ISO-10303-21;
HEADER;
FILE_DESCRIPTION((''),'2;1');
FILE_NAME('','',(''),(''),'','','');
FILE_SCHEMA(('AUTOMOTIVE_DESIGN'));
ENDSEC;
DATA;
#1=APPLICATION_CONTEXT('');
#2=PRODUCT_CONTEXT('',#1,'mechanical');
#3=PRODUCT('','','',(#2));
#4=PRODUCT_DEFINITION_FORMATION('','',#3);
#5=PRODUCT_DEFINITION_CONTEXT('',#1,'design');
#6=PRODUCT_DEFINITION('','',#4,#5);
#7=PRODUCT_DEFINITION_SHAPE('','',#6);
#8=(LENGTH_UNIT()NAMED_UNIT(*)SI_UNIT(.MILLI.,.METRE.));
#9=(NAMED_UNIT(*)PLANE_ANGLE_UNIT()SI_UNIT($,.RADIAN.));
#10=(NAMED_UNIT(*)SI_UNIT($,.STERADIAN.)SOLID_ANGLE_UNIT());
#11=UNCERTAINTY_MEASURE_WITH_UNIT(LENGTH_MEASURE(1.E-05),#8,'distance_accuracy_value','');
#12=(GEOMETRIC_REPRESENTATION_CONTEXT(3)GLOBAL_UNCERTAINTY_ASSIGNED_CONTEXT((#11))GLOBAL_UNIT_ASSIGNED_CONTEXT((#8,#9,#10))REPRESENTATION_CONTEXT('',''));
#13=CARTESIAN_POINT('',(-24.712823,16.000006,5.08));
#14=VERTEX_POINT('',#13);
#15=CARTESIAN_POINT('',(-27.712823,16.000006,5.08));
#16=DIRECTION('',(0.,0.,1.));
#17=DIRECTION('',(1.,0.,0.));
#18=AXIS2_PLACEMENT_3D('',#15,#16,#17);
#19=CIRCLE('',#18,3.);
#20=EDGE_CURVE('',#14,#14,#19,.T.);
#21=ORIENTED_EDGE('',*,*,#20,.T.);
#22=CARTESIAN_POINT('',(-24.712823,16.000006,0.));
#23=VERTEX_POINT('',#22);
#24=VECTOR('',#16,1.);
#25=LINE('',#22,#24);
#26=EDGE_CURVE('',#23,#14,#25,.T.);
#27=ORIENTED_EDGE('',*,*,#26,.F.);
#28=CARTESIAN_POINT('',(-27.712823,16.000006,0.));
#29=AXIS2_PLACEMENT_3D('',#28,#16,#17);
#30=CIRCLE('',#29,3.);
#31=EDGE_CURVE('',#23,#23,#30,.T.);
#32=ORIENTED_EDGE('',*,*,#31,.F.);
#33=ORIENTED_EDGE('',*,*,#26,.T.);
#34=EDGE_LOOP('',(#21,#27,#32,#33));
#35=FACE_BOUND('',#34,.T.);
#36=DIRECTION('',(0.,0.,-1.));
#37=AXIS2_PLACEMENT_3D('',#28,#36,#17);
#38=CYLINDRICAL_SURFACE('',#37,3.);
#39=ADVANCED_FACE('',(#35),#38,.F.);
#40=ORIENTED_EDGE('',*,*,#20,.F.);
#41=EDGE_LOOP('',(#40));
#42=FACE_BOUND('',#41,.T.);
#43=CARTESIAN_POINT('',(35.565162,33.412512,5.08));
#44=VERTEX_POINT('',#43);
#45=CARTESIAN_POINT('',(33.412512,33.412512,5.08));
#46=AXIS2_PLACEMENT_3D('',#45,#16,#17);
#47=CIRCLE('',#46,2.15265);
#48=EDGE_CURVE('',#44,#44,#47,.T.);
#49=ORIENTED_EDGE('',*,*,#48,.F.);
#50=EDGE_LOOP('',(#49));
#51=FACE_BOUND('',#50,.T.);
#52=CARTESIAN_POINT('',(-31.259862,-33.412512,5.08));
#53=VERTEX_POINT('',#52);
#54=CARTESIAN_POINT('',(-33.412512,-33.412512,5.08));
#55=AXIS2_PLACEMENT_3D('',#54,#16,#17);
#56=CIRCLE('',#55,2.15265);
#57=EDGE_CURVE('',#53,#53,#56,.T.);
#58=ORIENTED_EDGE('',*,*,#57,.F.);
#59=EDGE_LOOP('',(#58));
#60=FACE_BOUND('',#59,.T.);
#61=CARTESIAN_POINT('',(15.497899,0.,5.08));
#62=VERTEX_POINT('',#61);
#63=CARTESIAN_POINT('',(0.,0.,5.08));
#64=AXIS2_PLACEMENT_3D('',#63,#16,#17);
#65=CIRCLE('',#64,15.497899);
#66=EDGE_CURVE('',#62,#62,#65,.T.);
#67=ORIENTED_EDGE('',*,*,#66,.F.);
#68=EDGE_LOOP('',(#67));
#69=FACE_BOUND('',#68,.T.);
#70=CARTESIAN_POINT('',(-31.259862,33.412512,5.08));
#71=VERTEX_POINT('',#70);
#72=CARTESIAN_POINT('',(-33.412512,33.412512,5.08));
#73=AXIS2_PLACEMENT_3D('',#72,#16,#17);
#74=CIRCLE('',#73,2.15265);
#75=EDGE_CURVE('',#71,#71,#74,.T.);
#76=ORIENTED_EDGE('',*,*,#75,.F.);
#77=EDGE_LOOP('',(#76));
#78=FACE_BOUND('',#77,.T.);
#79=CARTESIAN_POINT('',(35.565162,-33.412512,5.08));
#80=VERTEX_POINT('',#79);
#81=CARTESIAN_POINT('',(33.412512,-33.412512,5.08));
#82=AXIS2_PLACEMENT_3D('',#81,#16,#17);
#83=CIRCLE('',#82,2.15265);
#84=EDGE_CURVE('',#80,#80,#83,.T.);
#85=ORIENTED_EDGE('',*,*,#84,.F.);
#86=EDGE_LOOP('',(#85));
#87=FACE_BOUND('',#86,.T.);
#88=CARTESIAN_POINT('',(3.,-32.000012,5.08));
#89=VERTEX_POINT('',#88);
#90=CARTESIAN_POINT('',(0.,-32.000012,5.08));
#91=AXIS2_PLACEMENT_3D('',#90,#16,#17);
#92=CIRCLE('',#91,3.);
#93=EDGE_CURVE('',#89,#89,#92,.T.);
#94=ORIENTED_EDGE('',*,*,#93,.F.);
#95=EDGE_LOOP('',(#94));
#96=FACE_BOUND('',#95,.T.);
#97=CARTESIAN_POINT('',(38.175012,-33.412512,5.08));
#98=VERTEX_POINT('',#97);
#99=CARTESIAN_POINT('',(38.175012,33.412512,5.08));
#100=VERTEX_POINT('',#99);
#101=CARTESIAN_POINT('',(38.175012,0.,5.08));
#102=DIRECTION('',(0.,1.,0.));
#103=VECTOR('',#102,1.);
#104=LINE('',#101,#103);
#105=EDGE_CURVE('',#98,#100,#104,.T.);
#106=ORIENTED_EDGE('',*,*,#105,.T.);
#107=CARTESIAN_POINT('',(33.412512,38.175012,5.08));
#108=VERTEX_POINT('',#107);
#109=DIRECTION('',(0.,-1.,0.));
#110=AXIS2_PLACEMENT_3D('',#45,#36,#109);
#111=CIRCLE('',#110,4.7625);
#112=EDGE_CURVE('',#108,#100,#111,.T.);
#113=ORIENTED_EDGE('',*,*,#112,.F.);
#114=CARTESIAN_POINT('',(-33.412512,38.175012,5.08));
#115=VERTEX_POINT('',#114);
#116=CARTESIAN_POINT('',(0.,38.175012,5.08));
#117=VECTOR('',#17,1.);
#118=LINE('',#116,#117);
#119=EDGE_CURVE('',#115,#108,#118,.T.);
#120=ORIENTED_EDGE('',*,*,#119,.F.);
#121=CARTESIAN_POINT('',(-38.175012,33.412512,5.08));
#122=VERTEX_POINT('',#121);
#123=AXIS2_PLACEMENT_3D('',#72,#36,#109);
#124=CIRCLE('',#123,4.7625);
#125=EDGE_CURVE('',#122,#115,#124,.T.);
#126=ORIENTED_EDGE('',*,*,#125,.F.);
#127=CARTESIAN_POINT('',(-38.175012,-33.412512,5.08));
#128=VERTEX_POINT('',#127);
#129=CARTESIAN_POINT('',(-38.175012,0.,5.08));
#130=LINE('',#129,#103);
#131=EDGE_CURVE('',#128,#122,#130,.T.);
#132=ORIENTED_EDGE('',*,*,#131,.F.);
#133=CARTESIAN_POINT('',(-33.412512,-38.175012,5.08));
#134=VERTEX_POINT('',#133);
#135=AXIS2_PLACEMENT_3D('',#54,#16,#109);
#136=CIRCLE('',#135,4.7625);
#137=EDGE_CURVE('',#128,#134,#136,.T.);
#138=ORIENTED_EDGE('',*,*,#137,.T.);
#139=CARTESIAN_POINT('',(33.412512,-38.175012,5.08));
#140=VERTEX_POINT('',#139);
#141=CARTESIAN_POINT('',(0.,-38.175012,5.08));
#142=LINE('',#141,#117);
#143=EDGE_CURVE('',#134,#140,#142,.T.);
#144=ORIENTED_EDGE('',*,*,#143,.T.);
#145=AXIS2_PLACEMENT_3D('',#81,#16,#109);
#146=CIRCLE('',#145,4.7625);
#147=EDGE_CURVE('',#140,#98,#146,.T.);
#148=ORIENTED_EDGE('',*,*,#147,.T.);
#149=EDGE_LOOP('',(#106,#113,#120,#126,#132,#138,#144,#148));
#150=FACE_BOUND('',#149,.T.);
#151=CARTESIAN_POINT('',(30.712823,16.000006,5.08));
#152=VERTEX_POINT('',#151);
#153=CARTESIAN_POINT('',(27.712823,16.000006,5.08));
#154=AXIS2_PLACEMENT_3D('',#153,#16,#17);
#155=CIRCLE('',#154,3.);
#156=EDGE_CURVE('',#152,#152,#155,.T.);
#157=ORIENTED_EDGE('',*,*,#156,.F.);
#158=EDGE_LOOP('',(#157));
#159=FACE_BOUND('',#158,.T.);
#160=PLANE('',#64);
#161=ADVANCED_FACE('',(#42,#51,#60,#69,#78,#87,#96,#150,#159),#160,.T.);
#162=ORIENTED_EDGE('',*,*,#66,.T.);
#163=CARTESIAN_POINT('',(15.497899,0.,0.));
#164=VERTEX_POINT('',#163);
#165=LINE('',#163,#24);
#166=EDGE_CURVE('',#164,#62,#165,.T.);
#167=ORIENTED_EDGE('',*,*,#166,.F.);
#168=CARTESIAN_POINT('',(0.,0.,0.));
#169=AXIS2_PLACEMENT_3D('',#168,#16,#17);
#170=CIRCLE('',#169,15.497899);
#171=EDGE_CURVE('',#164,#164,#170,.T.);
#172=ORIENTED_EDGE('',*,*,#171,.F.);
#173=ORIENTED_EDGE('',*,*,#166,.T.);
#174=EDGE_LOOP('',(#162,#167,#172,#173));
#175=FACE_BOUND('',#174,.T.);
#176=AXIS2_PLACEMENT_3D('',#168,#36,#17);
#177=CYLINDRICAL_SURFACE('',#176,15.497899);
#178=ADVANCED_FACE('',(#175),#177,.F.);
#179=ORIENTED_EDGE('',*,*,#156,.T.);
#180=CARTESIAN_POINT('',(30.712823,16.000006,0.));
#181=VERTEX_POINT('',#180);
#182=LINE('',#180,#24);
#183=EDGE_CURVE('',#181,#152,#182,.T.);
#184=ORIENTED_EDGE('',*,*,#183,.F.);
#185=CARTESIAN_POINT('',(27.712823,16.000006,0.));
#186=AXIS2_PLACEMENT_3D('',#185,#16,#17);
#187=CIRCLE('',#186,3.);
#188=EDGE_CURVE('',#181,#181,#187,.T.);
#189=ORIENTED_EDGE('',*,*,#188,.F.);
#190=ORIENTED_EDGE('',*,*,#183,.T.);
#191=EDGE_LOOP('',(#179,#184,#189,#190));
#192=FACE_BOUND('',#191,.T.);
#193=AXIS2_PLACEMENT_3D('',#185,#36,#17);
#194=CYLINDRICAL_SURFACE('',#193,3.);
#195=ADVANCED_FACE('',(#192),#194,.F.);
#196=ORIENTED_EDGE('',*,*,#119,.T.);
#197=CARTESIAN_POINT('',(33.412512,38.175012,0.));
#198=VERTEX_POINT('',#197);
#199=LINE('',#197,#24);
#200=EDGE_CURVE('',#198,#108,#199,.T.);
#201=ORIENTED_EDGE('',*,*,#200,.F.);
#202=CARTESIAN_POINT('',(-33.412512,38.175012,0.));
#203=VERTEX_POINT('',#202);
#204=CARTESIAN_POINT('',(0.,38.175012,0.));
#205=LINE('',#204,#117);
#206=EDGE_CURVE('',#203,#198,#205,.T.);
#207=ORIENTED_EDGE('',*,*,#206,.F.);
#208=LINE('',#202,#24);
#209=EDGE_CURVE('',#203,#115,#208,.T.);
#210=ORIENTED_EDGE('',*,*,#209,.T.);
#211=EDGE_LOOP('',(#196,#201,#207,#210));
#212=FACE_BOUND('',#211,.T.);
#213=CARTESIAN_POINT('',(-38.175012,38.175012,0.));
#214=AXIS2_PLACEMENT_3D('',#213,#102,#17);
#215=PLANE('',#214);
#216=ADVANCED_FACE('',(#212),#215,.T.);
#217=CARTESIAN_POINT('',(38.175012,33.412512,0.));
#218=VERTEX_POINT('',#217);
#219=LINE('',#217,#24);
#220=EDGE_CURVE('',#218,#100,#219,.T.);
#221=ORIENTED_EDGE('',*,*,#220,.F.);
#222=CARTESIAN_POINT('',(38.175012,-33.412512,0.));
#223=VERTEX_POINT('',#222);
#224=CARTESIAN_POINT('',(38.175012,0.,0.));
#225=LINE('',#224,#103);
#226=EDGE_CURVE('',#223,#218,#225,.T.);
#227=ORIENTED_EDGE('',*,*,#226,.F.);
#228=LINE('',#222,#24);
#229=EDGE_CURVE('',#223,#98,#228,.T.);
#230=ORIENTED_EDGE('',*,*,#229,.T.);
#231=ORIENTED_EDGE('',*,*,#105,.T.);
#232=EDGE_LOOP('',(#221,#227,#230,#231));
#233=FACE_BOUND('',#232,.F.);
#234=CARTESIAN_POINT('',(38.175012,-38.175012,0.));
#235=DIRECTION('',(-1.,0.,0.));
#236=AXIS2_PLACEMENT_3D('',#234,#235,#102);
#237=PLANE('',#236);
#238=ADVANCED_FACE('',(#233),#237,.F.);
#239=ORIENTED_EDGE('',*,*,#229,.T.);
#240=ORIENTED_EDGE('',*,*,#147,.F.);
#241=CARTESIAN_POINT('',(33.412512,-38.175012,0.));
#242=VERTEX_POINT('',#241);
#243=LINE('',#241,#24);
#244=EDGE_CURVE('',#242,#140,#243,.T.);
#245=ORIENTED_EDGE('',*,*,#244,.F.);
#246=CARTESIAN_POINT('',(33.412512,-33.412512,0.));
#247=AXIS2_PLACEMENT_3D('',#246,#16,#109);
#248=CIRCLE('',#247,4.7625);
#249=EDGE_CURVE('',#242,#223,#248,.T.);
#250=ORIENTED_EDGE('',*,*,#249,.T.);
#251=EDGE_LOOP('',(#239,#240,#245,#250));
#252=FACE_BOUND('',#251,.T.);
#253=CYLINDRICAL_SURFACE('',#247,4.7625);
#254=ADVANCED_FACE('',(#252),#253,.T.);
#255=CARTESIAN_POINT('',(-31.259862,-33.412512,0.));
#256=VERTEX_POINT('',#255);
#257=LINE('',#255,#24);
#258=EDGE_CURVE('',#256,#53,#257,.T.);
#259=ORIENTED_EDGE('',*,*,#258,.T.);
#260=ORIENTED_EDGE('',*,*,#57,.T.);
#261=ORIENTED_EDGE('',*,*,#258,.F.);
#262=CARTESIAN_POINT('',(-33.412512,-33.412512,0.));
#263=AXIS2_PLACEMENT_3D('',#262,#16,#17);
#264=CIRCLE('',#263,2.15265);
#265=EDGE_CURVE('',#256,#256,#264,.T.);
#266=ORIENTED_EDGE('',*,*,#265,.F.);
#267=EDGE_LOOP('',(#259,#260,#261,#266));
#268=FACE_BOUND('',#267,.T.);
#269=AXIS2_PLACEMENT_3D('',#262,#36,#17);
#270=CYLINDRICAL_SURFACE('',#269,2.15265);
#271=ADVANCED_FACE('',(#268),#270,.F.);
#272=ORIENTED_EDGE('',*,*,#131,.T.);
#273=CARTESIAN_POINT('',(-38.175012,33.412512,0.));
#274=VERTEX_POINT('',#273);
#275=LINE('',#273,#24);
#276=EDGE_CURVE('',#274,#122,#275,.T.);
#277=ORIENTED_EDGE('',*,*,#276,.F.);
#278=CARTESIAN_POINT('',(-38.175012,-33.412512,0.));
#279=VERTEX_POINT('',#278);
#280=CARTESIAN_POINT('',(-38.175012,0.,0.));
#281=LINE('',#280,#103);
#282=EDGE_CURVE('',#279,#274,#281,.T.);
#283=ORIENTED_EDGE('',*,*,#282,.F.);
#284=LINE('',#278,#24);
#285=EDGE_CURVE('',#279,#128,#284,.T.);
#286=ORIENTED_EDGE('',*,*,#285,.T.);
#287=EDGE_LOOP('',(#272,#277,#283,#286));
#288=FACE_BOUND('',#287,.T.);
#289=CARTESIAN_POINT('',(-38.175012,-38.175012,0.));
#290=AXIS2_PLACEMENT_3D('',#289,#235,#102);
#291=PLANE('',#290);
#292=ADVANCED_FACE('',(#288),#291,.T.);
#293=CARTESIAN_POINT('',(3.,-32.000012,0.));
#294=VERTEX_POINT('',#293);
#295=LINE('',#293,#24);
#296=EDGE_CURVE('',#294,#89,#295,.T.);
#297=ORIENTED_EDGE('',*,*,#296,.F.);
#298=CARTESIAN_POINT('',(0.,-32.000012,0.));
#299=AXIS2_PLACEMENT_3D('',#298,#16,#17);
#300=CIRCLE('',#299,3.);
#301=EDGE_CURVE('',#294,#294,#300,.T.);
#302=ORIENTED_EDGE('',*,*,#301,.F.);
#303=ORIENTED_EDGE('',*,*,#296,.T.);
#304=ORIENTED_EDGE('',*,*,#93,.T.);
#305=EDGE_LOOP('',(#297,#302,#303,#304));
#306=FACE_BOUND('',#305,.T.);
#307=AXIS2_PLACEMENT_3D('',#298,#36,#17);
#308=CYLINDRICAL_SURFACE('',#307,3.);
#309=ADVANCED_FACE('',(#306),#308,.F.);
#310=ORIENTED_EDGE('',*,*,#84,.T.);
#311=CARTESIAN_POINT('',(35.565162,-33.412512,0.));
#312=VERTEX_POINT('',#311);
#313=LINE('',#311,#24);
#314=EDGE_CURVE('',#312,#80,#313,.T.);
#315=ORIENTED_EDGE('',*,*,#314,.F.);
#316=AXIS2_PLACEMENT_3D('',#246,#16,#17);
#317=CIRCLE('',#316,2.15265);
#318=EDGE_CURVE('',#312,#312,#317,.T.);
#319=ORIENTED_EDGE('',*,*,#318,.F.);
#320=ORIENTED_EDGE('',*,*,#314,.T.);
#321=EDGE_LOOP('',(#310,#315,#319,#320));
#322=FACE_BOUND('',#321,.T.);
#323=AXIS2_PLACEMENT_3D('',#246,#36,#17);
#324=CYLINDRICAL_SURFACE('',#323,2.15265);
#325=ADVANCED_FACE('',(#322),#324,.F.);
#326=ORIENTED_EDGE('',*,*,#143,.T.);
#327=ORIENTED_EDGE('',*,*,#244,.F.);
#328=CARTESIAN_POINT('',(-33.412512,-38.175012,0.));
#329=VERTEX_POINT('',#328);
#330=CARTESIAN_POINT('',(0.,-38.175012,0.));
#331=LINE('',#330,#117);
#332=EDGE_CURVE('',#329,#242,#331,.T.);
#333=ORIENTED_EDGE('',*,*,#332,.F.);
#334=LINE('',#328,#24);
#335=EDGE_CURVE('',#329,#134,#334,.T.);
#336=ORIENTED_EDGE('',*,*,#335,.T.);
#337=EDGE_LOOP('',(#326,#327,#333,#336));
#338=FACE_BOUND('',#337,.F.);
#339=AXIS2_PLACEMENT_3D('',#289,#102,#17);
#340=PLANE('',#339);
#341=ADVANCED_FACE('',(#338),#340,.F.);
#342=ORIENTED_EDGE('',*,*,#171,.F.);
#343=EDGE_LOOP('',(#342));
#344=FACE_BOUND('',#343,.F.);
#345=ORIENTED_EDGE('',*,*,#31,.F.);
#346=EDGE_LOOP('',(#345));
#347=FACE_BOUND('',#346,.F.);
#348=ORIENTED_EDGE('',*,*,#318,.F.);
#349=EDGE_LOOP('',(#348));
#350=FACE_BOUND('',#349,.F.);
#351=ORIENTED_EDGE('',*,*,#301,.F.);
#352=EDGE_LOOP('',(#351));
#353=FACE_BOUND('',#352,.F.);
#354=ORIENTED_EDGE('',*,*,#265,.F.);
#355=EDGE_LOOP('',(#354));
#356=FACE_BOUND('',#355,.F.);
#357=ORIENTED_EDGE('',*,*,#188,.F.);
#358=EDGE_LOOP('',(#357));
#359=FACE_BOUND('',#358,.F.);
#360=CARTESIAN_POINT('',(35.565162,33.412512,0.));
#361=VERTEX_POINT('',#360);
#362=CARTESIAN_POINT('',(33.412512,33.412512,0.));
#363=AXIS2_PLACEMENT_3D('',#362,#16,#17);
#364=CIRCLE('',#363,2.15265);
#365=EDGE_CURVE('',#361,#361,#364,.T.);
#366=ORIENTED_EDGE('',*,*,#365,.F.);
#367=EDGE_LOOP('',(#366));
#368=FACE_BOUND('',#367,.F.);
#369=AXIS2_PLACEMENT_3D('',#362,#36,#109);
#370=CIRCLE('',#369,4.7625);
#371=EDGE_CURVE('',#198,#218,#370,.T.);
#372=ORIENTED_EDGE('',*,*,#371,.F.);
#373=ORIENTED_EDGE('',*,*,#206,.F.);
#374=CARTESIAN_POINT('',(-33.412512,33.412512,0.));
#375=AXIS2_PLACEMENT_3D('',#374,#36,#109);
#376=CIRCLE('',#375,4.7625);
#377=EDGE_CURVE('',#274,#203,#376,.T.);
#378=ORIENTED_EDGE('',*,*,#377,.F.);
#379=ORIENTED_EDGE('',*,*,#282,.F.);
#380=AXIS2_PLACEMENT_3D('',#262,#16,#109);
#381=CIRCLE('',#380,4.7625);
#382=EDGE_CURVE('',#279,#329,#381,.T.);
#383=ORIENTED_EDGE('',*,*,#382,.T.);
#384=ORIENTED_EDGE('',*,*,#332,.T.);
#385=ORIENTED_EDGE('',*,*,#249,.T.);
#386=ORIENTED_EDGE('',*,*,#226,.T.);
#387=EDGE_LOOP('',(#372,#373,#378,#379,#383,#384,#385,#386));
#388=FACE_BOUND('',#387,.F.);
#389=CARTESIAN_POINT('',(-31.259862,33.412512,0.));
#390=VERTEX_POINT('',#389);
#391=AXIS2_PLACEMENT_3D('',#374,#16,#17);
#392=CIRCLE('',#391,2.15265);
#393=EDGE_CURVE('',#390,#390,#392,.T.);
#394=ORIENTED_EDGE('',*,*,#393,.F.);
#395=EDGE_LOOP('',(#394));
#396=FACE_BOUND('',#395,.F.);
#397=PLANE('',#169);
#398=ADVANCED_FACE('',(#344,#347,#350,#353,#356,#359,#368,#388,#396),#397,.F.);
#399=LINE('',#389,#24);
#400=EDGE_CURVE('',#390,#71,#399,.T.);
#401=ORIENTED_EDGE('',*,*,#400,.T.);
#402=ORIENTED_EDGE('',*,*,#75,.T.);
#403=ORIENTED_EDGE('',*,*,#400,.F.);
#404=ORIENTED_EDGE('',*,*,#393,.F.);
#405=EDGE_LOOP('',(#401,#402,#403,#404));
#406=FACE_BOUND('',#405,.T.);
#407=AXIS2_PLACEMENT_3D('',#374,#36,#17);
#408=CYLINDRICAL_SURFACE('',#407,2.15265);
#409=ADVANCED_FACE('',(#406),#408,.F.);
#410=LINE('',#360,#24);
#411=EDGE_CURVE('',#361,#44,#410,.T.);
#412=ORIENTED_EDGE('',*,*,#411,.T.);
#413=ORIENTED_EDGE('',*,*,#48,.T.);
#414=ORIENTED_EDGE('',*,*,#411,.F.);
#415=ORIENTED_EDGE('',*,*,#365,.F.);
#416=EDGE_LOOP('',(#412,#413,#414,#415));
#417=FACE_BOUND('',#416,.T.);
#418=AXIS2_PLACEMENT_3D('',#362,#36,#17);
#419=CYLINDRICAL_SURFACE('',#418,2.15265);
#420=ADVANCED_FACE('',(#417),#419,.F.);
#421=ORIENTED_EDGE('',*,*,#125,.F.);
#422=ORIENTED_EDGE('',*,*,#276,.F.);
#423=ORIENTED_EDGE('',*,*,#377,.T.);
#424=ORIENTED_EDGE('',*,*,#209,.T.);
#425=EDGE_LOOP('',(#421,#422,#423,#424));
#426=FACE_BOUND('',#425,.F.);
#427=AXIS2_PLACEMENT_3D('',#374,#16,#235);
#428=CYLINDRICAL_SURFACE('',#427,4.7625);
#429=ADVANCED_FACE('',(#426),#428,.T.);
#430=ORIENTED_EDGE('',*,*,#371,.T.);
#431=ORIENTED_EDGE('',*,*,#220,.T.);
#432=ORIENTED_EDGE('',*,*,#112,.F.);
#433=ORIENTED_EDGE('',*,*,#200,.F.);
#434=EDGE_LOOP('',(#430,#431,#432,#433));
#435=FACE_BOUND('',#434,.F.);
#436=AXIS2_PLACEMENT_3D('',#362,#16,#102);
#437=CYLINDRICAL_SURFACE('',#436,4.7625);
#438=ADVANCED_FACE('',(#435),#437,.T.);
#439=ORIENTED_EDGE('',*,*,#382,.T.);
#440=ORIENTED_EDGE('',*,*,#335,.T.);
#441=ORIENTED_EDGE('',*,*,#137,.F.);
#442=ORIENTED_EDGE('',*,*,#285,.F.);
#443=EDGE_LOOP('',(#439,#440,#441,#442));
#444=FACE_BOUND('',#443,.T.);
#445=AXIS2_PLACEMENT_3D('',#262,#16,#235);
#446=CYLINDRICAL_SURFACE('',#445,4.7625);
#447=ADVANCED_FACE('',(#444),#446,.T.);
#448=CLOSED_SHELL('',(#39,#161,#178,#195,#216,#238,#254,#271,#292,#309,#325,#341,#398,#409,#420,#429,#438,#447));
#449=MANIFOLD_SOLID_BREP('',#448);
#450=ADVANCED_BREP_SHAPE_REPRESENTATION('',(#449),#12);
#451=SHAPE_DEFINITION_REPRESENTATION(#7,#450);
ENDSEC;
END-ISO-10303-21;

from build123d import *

# Parameters (mm, degrees)
F0_W     = 76.350024
F0_H     = 76.350024
F0_R     = 2.15265
F0_R_2   = 3
F0_R_3   = 15.497899
F1_DEPTH = 5.08
F2_R     = 4.7625


with BuildPart() as f1:
    # F0 (on Top) → F1 (new body)
    with BuildSketch(Plane.XY):
        Rectangle(F0_W, F0_H)
        with Locations((-33.412512, -33.412512)):
            Circle(F0_R, mode=Mode.SUBTRACT)
        with Locations((0, -32.000012)):
            Circle(F0_R_2, mode=Mode.SUBTRACT)
        with Locations((33.412512, -33.412512)):
            Circle(F0_R, mode=Mode.SUBTRACT)
        with Locations((-27.712823, 16.000006)):
            Circle(F0_R_2, mode=Mode.SUBTRACT)
        with Locations((-33.412512, 33.412512)):
            Circle(F0_R, mode=Mode.SUBTRACT)
        Circle(F0_R_3, mode=Mode.SUBTRACT)
        with Locations((27.712823, 16.000006)):
            Circle(F0_R_2, mode=Mode.SUBTRACT)
        with Locations((33.412512, 33.412512)):
            Circle(F0_R, mode=Mode.SUBTRACT)
    extrude(amount=F1_DEPTH)

    # F2
    f2_edges = [f1.edges().sort_by_distance(p)[0] for p in [
        (-38.175012, 38.175012, 2.54),
        (38.175012, 38.175012, 2.54),
        (38.175012, -38.175012, 2.54),
        (-38.175012, -38.175012, 2.54),
    ]]
    fillet(f2_edges, radius=F2_R)


solid = f1.part
